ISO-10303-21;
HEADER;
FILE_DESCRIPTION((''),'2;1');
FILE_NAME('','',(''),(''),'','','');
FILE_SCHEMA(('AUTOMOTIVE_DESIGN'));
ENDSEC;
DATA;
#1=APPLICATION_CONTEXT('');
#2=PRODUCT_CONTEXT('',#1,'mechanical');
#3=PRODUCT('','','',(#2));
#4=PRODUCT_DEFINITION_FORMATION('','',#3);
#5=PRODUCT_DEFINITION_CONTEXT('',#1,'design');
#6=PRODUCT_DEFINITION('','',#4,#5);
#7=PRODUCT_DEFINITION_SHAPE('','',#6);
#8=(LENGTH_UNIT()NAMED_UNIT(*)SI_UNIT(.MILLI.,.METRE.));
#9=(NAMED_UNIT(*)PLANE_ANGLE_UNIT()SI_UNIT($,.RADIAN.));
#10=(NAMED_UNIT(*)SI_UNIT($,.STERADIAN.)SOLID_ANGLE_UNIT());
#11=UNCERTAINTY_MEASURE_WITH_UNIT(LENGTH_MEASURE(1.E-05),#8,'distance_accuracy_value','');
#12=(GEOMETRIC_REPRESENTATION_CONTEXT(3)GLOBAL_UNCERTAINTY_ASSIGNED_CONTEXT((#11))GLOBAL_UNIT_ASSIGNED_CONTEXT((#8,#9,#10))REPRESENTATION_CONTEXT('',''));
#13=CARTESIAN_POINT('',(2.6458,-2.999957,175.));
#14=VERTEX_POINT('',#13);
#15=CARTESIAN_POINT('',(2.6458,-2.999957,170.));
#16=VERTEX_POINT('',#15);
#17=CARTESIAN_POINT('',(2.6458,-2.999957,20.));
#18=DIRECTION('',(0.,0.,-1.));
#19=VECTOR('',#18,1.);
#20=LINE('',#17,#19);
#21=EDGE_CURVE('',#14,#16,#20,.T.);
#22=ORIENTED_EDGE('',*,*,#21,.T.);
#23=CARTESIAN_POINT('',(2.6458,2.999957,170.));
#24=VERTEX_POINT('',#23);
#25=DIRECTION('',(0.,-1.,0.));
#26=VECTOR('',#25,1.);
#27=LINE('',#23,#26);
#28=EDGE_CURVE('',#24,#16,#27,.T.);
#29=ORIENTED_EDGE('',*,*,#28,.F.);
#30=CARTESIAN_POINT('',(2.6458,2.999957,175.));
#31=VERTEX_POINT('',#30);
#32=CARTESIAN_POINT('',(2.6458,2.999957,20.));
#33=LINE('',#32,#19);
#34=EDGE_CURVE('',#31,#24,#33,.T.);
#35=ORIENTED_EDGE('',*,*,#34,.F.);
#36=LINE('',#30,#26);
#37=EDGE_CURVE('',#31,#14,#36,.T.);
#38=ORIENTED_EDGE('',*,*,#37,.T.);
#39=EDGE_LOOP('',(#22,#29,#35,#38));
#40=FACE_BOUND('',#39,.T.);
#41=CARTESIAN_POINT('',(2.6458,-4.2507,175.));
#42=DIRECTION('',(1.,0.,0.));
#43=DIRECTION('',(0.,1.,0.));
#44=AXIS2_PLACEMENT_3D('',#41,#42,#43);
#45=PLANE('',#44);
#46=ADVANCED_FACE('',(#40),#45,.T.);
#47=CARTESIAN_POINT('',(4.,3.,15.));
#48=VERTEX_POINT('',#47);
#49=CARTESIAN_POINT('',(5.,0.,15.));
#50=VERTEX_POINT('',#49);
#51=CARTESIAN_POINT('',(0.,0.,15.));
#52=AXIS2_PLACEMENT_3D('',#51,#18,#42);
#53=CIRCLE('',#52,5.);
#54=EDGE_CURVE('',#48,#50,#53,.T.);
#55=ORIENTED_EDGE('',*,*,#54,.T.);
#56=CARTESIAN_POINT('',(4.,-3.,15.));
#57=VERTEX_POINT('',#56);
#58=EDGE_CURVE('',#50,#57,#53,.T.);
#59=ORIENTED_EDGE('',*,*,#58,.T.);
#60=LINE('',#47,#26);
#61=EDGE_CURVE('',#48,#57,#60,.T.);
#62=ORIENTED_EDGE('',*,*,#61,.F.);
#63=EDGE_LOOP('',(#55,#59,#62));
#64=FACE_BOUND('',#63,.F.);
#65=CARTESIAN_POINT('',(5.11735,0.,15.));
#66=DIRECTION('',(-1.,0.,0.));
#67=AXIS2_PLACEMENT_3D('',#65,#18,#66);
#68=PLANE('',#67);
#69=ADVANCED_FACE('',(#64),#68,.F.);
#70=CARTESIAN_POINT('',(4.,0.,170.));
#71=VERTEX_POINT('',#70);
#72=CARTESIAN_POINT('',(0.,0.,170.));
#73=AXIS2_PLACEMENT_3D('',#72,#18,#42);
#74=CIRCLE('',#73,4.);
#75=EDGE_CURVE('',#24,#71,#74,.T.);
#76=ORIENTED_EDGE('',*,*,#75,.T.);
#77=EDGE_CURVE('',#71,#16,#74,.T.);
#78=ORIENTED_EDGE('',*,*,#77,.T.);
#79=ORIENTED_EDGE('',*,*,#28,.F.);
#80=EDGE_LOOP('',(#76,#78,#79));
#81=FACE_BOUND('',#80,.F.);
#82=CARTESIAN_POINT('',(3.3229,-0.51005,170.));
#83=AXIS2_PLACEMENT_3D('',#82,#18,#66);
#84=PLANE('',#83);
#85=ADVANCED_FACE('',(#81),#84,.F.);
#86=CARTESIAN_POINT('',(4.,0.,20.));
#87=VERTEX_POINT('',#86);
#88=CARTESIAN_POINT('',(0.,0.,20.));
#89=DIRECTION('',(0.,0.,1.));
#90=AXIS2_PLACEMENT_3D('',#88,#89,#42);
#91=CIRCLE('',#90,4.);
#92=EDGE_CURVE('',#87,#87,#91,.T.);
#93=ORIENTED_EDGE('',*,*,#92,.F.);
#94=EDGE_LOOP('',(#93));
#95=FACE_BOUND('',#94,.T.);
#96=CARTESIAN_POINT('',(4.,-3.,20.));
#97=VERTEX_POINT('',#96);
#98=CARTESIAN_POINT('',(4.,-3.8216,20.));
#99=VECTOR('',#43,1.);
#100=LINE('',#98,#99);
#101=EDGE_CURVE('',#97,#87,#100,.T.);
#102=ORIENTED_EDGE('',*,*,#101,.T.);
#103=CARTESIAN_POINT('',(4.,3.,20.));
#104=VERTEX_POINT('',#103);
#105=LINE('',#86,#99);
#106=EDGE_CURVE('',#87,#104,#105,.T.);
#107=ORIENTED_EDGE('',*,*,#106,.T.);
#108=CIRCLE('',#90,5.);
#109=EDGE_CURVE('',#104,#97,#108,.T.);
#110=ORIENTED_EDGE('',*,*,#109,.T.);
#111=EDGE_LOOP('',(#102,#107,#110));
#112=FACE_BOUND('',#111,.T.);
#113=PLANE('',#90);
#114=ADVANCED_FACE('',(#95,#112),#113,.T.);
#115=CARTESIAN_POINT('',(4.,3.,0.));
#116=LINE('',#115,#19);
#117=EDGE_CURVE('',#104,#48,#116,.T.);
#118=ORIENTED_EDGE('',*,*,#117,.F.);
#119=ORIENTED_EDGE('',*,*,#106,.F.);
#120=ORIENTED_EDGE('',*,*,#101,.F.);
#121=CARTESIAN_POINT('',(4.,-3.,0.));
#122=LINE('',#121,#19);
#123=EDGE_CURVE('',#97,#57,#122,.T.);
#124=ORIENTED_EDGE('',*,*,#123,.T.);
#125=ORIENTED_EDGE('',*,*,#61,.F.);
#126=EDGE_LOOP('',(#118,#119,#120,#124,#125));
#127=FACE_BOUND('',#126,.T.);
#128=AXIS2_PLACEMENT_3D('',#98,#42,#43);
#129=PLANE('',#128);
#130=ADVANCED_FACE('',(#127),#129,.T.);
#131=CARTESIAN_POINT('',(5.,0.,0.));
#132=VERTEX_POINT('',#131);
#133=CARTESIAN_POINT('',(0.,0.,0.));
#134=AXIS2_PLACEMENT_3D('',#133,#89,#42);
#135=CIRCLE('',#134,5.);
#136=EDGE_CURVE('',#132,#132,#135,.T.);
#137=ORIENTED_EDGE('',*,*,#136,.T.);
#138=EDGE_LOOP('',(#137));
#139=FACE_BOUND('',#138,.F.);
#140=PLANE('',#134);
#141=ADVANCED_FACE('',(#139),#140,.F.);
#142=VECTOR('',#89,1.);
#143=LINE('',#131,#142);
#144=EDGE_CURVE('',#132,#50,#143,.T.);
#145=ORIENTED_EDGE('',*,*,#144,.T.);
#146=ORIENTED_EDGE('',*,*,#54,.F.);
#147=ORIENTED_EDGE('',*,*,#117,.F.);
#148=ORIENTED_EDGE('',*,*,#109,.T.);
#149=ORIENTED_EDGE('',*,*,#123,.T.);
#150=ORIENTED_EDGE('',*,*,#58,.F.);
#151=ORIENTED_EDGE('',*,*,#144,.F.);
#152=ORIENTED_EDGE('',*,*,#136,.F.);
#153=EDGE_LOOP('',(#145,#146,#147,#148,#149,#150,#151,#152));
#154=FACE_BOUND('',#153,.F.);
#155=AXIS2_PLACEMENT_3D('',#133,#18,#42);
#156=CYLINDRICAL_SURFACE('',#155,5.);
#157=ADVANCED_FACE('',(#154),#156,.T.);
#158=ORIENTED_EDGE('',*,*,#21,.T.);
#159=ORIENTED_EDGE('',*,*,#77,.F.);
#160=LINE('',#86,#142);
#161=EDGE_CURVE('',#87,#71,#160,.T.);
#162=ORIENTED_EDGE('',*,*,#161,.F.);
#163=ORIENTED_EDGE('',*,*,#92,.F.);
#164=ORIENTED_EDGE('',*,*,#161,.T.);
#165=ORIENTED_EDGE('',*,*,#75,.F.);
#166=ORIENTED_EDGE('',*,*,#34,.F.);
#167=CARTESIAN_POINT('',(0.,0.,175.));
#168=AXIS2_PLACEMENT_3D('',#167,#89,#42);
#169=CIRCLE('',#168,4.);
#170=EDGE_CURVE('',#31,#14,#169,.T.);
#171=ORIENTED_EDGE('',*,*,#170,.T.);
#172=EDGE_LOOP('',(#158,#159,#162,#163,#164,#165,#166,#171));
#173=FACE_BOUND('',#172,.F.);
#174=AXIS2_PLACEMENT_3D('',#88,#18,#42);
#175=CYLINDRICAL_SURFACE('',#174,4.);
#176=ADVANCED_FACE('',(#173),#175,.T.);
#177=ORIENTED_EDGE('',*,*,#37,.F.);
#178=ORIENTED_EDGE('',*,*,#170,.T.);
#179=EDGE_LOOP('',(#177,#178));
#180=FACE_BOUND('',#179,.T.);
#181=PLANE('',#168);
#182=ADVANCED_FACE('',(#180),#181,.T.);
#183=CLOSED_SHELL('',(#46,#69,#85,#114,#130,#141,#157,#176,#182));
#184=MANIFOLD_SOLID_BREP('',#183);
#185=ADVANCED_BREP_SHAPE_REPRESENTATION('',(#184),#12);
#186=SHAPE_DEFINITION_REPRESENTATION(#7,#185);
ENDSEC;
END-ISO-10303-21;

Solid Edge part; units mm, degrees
sketch "Sketch1" plane through (0, 0, 0) normal (0, 0, 1) x (1, 0, 0)
  circle A0 centre (0, 0) radius 5
extrude "Protrusion1" add sketch "Sketch1" along normal blind 20
sketch "Sketch2" plane through (0, 0, 20) normal (0, 0, 1) x (1, 0, 0)
  circle A0 centre (0, 0) radius 4
extrude "ExtrudedProtrusion_2" add sketch "Sketch2" along normal blind 155
sketch "Sketch3" plane through (0, 0, 20) normal (0, 0, 1) x (0, -1, 0)
  line L0 (-3.8216, 6.2347) -> (3.8216, 6.2347)
  line L1 (3.8216, 6.2347) -> (3.8216, 4)
  line L2 (3.8216, 4) -> (0, 4)
  line L3 (0, 4) -> (-3.8216, 4)
  line L4 (-3.8216, 4) -> (-3.8216, 6.2347)
extrude "ExtrudedCutout_1" cut sketch "Sketch3" against normal blind 5
sketch "Sketch4" plane through (0, 0, 175) normal (0, 0, 1) x (0, -1, 0)
  line L0 (-3.2306, 4) -> (4.2507, 4)
  line L1 (4.2507, 4) -> (4.2507, 2.6458)
  line L2 (4.2507, 2.6458) -> (0, 2.6458)
  line L3 (0, 2.6458) -> (-3.2306, 2.6458)
  line L4 (-3.2306, 2.6458) -> (-3.2306, 4)
extrude "ExtrudedCutout_2" cut sketch "Sketch4" against normal blind 5
